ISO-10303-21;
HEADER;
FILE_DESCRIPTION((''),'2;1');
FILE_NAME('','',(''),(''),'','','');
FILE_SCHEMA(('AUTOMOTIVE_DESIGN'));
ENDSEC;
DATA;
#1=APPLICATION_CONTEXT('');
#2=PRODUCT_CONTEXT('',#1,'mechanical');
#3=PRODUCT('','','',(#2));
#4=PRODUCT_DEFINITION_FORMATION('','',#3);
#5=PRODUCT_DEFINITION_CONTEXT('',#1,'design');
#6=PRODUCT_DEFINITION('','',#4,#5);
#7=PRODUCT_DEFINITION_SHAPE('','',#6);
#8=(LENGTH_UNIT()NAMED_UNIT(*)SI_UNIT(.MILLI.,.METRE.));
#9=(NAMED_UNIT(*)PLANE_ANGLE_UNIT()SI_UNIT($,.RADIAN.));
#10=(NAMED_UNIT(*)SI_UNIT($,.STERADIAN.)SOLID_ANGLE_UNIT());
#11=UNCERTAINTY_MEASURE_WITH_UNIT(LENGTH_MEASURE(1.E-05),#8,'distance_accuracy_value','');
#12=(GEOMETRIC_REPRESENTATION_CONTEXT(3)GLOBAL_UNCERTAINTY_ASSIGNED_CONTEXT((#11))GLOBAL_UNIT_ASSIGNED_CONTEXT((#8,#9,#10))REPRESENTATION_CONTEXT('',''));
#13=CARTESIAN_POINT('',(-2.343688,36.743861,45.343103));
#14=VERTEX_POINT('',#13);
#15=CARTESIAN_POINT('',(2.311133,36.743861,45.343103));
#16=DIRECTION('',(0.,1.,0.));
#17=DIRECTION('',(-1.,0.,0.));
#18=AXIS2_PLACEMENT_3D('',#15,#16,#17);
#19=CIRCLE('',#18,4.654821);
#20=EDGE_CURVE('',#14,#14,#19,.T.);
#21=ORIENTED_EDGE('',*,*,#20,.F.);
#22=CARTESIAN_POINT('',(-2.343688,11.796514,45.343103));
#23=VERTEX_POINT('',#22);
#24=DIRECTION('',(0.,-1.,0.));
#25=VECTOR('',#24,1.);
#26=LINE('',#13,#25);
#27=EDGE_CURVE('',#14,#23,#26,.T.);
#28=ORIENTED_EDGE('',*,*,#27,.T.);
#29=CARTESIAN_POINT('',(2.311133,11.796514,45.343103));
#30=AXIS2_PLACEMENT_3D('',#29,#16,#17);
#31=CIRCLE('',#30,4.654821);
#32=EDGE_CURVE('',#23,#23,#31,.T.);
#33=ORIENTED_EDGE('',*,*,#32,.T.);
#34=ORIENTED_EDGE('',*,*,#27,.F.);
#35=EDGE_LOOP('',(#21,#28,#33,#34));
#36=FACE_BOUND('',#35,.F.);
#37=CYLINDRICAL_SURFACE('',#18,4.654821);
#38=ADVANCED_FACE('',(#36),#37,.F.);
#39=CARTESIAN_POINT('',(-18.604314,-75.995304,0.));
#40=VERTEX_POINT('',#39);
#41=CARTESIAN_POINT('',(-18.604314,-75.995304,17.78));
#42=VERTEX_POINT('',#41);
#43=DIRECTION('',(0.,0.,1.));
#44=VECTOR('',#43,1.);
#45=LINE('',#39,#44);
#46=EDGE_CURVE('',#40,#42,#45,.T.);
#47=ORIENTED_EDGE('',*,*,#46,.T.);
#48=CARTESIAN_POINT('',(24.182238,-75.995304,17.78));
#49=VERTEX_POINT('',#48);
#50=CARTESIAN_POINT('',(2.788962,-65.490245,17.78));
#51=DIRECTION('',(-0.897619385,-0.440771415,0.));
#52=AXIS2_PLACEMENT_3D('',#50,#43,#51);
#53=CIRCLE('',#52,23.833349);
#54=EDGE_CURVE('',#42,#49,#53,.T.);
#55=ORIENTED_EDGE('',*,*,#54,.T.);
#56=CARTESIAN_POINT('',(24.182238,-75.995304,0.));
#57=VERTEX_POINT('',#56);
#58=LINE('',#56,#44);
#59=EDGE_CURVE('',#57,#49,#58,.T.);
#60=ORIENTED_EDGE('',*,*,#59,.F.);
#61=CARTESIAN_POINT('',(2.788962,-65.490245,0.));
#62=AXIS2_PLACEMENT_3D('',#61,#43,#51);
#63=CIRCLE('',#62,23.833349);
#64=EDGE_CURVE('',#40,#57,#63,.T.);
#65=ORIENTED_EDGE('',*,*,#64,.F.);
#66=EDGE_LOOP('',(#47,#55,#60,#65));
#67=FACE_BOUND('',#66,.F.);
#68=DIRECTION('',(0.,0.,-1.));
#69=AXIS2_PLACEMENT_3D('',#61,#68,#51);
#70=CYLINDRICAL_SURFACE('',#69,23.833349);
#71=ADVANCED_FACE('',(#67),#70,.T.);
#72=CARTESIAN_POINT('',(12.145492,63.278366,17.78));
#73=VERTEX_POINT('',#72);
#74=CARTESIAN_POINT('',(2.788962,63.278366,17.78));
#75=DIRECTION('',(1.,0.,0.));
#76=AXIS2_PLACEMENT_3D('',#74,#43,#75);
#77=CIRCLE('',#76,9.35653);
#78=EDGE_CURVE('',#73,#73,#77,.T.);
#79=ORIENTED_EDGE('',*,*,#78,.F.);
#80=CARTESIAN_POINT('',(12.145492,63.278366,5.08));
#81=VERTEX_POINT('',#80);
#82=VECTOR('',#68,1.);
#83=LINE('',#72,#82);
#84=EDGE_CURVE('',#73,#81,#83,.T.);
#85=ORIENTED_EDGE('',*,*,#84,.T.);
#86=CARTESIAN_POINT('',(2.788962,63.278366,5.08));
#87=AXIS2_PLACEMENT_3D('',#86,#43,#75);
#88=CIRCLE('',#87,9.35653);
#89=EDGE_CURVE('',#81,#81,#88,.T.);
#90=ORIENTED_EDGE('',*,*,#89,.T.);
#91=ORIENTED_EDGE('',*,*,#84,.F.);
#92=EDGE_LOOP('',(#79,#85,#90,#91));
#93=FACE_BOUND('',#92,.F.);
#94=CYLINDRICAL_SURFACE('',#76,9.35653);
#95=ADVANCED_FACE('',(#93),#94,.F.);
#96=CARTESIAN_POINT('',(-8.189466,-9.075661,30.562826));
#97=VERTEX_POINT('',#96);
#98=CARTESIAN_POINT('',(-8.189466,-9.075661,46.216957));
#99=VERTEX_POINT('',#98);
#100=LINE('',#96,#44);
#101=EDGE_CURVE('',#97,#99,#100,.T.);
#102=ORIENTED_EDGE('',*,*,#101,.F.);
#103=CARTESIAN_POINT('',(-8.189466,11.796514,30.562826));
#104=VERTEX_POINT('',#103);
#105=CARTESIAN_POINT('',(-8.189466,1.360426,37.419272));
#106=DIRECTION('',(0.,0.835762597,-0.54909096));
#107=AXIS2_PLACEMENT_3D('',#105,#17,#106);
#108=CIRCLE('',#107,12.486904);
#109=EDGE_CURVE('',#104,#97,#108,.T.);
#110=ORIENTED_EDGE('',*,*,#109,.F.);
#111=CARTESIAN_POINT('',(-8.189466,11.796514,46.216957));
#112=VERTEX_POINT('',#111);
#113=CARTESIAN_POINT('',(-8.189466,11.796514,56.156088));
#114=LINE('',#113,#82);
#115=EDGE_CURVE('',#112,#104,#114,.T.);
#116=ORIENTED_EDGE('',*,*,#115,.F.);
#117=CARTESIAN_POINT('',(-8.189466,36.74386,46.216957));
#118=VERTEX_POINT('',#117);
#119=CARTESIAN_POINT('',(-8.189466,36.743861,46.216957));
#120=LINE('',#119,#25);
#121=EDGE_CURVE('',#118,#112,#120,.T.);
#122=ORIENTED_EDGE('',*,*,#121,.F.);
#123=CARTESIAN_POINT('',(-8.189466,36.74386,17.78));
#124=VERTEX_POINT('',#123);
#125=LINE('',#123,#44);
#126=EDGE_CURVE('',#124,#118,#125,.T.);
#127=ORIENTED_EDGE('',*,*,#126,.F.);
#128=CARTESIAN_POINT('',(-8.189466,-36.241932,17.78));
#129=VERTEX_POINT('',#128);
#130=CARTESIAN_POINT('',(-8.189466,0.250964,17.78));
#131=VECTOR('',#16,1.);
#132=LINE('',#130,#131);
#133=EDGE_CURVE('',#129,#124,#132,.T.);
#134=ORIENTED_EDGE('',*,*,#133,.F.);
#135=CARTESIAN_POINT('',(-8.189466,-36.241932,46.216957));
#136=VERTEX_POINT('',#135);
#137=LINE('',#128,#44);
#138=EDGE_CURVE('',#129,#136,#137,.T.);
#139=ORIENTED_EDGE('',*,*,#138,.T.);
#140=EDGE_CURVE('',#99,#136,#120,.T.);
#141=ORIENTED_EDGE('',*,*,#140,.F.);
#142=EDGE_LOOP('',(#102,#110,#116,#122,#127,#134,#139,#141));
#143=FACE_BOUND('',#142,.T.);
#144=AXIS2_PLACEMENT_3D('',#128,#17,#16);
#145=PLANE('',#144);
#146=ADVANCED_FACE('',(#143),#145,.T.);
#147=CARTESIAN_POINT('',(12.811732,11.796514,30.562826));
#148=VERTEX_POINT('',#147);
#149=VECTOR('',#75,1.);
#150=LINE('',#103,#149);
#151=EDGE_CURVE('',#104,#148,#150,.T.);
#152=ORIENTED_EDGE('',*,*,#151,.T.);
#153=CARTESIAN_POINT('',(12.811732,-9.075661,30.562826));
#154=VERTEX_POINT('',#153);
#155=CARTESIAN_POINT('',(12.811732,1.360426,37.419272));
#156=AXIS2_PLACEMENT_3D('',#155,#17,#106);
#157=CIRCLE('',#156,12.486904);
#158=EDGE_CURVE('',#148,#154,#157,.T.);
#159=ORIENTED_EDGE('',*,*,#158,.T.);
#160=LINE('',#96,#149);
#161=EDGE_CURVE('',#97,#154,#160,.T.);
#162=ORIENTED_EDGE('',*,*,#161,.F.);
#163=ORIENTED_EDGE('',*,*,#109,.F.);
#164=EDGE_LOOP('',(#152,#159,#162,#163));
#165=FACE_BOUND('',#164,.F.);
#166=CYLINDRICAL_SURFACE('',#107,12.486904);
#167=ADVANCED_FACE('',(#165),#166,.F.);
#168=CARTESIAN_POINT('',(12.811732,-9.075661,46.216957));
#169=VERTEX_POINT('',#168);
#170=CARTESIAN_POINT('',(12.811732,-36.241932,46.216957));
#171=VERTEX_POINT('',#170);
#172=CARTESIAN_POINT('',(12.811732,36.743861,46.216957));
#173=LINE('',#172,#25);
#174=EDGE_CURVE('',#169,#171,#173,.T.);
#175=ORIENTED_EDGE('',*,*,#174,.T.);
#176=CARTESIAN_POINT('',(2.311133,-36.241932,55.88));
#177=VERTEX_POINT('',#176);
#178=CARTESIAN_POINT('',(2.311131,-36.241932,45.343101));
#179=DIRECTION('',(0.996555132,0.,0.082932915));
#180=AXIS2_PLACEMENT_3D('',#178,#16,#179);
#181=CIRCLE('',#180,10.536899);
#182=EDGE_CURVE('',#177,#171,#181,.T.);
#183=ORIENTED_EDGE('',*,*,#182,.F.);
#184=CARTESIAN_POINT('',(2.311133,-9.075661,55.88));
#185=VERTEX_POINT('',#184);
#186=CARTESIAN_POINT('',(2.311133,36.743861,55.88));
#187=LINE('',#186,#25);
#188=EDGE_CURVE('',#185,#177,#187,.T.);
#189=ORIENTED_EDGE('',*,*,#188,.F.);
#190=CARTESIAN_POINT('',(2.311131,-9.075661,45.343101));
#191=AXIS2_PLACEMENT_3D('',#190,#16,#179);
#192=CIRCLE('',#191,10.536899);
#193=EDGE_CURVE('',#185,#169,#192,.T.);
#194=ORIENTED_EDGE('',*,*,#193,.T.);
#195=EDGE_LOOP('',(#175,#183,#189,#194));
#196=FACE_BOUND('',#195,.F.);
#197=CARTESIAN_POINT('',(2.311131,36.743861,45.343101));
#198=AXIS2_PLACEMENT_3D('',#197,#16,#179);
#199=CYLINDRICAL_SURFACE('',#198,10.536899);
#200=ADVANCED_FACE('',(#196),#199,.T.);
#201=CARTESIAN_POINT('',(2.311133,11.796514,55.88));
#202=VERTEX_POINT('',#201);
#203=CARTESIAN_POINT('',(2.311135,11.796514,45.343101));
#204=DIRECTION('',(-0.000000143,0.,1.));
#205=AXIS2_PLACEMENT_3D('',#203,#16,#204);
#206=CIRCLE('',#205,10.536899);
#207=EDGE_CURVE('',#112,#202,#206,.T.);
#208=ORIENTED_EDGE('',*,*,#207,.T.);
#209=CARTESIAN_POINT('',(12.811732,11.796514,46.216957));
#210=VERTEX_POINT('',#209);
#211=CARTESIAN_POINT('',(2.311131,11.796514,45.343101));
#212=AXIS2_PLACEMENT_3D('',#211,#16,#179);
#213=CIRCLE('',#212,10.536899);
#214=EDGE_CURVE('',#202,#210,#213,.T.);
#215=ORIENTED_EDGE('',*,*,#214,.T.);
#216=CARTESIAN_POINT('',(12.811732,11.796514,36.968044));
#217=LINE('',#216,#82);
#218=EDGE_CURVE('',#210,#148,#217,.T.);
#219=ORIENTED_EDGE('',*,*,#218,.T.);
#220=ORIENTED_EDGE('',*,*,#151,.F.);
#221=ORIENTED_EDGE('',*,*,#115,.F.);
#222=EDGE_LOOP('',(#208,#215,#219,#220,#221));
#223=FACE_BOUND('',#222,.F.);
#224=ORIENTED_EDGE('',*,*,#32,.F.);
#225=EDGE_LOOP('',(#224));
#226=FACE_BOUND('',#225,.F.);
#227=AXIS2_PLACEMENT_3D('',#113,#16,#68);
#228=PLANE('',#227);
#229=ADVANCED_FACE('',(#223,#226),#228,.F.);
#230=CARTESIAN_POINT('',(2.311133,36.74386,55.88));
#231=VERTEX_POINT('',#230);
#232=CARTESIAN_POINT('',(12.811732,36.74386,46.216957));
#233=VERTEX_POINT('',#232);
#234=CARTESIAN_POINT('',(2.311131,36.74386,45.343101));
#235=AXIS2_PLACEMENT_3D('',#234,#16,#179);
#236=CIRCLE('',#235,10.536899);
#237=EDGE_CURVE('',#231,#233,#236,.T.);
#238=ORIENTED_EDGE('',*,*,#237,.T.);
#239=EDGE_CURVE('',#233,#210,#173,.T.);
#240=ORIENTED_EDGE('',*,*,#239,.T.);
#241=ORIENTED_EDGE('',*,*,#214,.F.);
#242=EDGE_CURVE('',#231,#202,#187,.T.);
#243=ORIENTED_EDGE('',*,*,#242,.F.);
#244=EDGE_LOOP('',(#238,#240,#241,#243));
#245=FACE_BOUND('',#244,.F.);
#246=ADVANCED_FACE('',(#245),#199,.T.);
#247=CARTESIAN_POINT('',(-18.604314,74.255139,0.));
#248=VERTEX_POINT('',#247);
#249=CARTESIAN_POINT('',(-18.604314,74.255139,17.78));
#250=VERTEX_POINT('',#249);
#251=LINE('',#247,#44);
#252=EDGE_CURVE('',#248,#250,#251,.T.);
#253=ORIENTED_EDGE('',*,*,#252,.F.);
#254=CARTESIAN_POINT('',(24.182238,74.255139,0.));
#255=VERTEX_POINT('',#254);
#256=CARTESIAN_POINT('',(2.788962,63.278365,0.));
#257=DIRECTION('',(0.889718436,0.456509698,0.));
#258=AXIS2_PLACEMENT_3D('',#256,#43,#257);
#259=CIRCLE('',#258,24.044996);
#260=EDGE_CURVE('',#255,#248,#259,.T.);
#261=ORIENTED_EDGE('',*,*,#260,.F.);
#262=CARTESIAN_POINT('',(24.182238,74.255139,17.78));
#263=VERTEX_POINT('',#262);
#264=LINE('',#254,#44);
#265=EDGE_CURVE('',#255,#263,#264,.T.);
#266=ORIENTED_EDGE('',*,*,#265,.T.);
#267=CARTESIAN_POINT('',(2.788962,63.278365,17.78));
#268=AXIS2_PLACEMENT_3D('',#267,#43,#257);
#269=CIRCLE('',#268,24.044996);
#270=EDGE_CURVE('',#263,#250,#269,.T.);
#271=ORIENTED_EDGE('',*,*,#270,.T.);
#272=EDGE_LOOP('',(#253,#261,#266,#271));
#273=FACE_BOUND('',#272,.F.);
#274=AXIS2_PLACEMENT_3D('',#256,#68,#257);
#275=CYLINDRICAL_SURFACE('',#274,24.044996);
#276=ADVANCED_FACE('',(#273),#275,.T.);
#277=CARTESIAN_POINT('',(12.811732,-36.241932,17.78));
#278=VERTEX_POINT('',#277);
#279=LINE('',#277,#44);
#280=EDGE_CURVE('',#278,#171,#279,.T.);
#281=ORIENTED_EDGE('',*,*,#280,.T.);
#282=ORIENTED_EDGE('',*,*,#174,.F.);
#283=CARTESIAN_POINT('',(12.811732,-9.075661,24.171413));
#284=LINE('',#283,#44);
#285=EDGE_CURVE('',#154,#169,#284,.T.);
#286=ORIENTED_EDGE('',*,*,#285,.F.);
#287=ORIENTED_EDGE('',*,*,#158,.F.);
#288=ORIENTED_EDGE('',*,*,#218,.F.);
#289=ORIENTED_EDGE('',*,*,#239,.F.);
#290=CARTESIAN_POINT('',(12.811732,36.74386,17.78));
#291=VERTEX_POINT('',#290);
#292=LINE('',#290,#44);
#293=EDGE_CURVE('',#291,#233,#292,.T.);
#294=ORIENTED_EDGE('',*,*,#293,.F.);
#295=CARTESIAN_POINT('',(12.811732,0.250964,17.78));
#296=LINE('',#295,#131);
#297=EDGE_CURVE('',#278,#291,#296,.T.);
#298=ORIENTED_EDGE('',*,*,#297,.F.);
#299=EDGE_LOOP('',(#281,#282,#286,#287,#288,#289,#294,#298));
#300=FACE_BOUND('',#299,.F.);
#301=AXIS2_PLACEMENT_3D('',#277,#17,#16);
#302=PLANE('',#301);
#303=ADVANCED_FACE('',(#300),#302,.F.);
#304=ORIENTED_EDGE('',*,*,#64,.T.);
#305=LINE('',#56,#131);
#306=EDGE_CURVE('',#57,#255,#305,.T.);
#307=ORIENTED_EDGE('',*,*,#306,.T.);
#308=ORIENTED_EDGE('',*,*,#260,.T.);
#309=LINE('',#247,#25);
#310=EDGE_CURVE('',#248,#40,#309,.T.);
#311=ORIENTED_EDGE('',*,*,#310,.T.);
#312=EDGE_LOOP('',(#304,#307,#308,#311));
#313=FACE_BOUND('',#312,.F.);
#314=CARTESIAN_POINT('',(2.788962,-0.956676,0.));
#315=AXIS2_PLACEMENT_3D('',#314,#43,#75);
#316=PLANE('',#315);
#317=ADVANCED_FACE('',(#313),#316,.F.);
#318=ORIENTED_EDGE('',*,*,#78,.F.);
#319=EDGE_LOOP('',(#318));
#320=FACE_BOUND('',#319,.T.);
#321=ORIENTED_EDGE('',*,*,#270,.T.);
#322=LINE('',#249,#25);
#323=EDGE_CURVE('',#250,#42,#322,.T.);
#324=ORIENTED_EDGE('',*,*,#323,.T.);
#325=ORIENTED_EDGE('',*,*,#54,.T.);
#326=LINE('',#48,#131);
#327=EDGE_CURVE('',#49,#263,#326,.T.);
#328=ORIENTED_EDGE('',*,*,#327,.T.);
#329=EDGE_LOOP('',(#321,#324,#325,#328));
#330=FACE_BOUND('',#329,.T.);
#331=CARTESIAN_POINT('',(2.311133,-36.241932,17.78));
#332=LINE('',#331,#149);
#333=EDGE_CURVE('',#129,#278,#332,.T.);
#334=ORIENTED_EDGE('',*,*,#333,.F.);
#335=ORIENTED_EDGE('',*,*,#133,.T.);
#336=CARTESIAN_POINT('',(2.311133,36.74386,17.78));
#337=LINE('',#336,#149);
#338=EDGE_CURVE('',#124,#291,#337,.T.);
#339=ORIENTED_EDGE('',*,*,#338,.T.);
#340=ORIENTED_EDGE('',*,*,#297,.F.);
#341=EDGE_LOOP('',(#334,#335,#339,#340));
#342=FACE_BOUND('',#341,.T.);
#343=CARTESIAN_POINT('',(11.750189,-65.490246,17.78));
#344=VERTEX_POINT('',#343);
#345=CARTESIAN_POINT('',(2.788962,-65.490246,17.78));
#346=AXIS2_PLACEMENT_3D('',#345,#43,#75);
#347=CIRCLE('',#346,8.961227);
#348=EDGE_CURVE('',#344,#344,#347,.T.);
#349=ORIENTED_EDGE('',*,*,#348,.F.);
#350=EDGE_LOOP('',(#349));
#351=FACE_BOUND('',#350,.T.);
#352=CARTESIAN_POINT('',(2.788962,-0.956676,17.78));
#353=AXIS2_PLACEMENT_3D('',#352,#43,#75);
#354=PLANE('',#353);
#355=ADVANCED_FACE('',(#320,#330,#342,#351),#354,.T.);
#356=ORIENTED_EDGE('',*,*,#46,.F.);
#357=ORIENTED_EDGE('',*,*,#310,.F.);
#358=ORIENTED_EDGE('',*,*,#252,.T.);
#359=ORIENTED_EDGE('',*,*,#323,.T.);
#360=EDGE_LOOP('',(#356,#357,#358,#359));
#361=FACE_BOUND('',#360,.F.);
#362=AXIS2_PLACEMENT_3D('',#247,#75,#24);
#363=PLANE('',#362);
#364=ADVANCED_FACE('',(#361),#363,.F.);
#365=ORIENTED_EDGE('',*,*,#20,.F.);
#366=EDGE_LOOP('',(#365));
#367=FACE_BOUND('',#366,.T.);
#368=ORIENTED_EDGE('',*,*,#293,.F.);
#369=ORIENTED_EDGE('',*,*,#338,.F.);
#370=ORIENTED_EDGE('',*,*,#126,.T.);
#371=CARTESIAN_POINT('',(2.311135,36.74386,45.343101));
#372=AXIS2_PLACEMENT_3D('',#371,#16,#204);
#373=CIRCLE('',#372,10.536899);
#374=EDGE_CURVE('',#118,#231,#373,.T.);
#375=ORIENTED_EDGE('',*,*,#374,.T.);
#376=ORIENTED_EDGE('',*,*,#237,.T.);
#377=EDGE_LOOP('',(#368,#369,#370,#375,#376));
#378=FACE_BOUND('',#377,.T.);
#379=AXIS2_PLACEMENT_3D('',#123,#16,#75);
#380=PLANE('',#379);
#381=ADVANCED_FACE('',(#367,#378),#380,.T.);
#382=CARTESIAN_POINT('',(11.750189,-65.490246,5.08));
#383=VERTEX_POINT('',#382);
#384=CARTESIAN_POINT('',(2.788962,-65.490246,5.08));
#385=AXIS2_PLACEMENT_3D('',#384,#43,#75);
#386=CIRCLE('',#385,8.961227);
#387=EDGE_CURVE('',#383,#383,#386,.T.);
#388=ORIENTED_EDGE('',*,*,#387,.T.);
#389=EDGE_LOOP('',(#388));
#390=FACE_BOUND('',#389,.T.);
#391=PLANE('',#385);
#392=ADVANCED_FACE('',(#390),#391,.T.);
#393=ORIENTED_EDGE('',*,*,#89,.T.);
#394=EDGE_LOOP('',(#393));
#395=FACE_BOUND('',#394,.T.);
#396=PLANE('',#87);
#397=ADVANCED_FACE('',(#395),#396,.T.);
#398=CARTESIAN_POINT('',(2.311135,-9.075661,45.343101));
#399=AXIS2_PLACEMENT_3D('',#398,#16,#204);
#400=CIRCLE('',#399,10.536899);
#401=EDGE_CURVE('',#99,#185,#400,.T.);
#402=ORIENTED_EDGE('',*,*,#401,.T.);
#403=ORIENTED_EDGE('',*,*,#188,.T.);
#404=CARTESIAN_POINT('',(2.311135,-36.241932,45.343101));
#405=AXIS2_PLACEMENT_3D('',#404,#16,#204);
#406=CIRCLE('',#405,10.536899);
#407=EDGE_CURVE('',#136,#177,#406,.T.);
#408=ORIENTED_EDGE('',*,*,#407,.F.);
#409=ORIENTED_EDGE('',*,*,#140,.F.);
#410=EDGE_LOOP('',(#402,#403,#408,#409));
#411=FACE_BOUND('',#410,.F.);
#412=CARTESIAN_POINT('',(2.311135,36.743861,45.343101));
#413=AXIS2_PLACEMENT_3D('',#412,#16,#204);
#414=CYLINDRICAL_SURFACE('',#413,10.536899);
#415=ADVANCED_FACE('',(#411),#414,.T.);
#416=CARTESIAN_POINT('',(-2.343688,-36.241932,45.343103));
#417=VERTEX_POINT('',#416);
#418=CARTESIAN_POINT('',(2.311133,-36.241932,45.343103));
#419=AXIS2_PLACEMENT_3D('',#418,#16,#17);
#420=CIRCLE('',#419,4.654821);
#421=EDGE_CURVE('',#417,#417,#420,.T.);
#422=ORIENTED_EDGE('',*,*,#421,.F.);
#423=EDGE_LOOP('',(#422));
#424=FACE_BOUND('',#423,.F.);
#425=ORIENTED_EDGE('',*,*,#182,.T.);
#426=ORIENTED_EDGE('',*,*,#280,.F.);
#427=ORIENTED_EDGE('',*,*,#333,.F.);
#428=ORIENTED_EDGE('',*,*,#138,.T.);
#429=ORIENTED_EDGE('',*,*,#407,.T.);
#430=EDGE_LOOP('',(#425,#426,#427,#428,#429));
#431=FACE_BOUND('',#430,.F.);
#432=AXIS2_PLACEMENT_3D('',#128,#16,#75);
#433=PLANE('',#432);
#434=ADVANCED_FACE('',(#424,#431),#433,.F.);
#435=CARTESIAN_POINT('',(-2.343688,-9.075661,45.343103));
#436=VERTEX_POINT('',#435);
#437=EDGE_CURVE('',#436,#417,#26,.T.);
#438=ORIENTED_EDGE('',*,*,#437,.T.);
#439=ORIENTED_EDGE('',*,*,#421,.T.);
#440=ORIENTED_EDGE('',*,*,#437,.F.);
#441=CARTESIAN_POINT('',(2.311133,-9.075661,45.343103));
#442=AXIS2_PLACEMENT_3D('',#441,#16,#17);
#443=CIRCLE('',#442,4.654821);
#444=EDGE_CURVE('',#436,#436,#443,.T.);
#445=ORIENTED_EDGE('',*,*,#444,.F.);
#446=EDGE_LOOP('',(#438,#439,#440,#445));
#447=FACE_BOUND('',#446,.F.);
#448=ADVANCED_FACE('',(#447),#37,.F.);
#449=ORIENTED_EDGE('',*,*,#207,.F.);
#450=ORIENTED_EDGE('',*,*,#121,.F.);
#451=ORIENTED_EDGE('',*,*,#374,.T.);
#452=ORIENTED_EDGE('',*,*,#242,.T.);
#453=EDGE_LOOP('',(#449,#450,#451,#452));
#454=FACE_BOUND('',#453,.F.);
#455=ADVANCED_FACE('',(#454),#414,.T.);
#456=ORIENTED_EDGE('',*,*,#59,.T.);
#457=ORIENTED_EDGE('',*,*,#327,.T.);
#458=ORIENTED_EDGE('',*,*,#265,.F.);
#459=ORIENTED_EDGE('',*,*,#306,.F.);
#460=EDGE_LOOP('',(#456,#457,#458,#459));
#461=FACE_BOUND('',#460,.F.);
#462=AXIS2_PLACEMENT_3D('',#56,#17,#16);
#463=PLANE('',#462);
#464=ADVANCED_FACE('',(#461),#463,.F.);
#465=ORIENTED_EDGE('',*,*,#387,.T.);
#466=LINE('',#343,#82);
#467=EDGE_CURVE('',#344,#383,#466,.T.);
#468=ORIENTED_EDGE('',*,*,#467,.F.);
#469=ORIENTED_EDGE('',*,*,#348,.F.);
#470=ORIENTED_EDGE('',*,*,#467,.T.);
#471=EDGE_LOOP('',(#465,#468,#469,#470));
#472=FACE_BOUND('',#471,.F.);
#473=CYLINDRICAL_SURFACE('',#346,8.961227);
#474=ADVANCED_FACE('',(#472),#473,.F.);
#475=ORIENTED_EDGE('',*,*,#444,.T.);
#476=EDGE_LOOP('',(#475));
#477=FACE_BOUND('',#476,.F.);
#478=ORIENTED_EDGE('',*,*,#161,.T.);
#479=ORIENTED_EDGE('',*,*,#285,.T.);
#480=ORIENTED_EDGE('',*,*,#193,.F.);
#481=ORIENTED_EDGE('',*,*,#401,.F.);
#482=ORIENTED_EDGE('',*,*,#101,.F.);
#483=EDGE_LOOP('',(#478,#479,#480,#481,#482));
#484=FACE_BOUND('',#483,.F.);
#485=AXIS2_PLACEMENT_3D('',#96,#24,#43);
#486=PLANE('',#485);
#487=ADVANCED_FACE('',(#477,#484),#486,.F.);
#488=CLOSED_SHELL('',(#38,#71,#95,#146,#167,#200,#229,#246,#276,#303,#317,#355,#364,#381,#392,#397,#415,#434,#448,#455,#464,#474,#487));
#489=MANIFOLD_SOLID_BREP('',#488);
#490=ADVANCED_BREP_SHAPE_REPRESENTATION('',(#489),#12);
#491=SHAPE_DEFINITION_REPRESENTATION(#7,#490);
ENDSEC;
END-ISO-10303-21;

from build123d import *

# Parameters (mm, degrees)
F1_DEPTH  = 17.78
F2_R      = 8.961227
F2_R_2    = 9.35653
F3_DEPTH  = 12.7
F4_W      = 21.001198
F4_H      = 72.985793
F5_DEPTH  = 38.1
F7_DEPTH  = 126.068455
F9_DEPTH  = 32.372704
F10_R     = 4.654821
F11_DEPTH = 126.068455


with BuildPart() as f1:
    # F0 (on Top) → F1 (new body)
    with BuildSketch(Plane.XY):
        with BuildLine():
            ThreePointArc((-18.604314, -75.995304), (2.788962, -89.323594), (24.182238, -75.995304))
            Line((24.182238, -75.995304), (24.182238, 74.255139))
            ThreePointArc((24.182238, 74.255139), (2.788962, 87.323361), (-18.604314, 74.255139))
            Line((-18.604314, 74.255139), (-18.604314, -75.995304))
        make_face()
    extrude(amount=F1_DEPTH)

    # F2 (on face) → F3 (cut)
    with BuildSketch(Plane.XY.offset(17.78)):
        with Locations((2.788962, -65.490246)):
            Circle(F2_R)
        with Locations((2.788962, 63.278366)):
            Circle(F2_R_2)
    extrude(amount=-F3_DEPTH, mode=Mode.SUBTRACT)

    # F4 (on face) → F5 (join)
    with BuildSketch(Plane.XY.offset(17.78)):
        with Locations((2.311133, 0.250964)):
            Rectangle(F4_W, F4_H)
    extrude(amount=F5_DEPTH)

    # F6 (on face) → F7 (cut, through all)
    with BuildSketch(Plane(origin=(0, 36.743861, 0), x_dir=(-1, 0, 0), z_dir=(0, 1, 0))):
        with BuildLine():
            Line((8.189466, 55.88), (-2.311133, 55.88))
            ThreePointArc((-2.311133, 55.88), (4.823938, 53.096615), (8.189466, 46.216957))
            Line((8.189466, 46.216957), (8.189466, 55.88))
        make_face()
        with BuildLine():
            Line((-12.811732, 55.88), (-12.811732, 46.216957))
            ThreePointArc((-12.811732, 46.216957), (-9.446204, 53.096615), (-2.311133, 55.88))
            Line((-2.311133, 55.88), (-12.811732, 55.88))
        make_face()
    extrude(amount=-F7_DEPTH, mode=Mode.SUBTRACT)

    # F8 (on face) → F9 (cut, through all)
    with BuildSketch(Plane(origin=(-8.189466, 0, 0), x_dir=(0, -1, 0), z_dir=(-1, 0, 0))):
        with BuildLine():
            Line((9.075661, 56.156088), (-11.796514, 56.156088))
            Line((-11.796514, 56.156088), (-11.796514, 30.562826))
            ThreePointArc((-11.796514, 30.562826), (-1.360426, 24.932368), (9.075661, 30.562826))
            Line((9.075661, 30.562826), (9.075661, 56.156088))
        make_face()
    extrude(amount=-F9_DEPTH, mode=Mode.SUBTRACT)

    # F10 (on face) → F11 (cut, through all)
    with BuildSketch(Plane(origin=(0, 36.743861, 0), x_dir=(-1, 0, 0), z_dir=(0, 1, 0))):
        with Locations((-2.311133, 45.343103)):
            Circle(F10_R)
    extrude(amount=-F11_DEPTH, mode=Mode.SUBTRACT)


solid = f1.part
